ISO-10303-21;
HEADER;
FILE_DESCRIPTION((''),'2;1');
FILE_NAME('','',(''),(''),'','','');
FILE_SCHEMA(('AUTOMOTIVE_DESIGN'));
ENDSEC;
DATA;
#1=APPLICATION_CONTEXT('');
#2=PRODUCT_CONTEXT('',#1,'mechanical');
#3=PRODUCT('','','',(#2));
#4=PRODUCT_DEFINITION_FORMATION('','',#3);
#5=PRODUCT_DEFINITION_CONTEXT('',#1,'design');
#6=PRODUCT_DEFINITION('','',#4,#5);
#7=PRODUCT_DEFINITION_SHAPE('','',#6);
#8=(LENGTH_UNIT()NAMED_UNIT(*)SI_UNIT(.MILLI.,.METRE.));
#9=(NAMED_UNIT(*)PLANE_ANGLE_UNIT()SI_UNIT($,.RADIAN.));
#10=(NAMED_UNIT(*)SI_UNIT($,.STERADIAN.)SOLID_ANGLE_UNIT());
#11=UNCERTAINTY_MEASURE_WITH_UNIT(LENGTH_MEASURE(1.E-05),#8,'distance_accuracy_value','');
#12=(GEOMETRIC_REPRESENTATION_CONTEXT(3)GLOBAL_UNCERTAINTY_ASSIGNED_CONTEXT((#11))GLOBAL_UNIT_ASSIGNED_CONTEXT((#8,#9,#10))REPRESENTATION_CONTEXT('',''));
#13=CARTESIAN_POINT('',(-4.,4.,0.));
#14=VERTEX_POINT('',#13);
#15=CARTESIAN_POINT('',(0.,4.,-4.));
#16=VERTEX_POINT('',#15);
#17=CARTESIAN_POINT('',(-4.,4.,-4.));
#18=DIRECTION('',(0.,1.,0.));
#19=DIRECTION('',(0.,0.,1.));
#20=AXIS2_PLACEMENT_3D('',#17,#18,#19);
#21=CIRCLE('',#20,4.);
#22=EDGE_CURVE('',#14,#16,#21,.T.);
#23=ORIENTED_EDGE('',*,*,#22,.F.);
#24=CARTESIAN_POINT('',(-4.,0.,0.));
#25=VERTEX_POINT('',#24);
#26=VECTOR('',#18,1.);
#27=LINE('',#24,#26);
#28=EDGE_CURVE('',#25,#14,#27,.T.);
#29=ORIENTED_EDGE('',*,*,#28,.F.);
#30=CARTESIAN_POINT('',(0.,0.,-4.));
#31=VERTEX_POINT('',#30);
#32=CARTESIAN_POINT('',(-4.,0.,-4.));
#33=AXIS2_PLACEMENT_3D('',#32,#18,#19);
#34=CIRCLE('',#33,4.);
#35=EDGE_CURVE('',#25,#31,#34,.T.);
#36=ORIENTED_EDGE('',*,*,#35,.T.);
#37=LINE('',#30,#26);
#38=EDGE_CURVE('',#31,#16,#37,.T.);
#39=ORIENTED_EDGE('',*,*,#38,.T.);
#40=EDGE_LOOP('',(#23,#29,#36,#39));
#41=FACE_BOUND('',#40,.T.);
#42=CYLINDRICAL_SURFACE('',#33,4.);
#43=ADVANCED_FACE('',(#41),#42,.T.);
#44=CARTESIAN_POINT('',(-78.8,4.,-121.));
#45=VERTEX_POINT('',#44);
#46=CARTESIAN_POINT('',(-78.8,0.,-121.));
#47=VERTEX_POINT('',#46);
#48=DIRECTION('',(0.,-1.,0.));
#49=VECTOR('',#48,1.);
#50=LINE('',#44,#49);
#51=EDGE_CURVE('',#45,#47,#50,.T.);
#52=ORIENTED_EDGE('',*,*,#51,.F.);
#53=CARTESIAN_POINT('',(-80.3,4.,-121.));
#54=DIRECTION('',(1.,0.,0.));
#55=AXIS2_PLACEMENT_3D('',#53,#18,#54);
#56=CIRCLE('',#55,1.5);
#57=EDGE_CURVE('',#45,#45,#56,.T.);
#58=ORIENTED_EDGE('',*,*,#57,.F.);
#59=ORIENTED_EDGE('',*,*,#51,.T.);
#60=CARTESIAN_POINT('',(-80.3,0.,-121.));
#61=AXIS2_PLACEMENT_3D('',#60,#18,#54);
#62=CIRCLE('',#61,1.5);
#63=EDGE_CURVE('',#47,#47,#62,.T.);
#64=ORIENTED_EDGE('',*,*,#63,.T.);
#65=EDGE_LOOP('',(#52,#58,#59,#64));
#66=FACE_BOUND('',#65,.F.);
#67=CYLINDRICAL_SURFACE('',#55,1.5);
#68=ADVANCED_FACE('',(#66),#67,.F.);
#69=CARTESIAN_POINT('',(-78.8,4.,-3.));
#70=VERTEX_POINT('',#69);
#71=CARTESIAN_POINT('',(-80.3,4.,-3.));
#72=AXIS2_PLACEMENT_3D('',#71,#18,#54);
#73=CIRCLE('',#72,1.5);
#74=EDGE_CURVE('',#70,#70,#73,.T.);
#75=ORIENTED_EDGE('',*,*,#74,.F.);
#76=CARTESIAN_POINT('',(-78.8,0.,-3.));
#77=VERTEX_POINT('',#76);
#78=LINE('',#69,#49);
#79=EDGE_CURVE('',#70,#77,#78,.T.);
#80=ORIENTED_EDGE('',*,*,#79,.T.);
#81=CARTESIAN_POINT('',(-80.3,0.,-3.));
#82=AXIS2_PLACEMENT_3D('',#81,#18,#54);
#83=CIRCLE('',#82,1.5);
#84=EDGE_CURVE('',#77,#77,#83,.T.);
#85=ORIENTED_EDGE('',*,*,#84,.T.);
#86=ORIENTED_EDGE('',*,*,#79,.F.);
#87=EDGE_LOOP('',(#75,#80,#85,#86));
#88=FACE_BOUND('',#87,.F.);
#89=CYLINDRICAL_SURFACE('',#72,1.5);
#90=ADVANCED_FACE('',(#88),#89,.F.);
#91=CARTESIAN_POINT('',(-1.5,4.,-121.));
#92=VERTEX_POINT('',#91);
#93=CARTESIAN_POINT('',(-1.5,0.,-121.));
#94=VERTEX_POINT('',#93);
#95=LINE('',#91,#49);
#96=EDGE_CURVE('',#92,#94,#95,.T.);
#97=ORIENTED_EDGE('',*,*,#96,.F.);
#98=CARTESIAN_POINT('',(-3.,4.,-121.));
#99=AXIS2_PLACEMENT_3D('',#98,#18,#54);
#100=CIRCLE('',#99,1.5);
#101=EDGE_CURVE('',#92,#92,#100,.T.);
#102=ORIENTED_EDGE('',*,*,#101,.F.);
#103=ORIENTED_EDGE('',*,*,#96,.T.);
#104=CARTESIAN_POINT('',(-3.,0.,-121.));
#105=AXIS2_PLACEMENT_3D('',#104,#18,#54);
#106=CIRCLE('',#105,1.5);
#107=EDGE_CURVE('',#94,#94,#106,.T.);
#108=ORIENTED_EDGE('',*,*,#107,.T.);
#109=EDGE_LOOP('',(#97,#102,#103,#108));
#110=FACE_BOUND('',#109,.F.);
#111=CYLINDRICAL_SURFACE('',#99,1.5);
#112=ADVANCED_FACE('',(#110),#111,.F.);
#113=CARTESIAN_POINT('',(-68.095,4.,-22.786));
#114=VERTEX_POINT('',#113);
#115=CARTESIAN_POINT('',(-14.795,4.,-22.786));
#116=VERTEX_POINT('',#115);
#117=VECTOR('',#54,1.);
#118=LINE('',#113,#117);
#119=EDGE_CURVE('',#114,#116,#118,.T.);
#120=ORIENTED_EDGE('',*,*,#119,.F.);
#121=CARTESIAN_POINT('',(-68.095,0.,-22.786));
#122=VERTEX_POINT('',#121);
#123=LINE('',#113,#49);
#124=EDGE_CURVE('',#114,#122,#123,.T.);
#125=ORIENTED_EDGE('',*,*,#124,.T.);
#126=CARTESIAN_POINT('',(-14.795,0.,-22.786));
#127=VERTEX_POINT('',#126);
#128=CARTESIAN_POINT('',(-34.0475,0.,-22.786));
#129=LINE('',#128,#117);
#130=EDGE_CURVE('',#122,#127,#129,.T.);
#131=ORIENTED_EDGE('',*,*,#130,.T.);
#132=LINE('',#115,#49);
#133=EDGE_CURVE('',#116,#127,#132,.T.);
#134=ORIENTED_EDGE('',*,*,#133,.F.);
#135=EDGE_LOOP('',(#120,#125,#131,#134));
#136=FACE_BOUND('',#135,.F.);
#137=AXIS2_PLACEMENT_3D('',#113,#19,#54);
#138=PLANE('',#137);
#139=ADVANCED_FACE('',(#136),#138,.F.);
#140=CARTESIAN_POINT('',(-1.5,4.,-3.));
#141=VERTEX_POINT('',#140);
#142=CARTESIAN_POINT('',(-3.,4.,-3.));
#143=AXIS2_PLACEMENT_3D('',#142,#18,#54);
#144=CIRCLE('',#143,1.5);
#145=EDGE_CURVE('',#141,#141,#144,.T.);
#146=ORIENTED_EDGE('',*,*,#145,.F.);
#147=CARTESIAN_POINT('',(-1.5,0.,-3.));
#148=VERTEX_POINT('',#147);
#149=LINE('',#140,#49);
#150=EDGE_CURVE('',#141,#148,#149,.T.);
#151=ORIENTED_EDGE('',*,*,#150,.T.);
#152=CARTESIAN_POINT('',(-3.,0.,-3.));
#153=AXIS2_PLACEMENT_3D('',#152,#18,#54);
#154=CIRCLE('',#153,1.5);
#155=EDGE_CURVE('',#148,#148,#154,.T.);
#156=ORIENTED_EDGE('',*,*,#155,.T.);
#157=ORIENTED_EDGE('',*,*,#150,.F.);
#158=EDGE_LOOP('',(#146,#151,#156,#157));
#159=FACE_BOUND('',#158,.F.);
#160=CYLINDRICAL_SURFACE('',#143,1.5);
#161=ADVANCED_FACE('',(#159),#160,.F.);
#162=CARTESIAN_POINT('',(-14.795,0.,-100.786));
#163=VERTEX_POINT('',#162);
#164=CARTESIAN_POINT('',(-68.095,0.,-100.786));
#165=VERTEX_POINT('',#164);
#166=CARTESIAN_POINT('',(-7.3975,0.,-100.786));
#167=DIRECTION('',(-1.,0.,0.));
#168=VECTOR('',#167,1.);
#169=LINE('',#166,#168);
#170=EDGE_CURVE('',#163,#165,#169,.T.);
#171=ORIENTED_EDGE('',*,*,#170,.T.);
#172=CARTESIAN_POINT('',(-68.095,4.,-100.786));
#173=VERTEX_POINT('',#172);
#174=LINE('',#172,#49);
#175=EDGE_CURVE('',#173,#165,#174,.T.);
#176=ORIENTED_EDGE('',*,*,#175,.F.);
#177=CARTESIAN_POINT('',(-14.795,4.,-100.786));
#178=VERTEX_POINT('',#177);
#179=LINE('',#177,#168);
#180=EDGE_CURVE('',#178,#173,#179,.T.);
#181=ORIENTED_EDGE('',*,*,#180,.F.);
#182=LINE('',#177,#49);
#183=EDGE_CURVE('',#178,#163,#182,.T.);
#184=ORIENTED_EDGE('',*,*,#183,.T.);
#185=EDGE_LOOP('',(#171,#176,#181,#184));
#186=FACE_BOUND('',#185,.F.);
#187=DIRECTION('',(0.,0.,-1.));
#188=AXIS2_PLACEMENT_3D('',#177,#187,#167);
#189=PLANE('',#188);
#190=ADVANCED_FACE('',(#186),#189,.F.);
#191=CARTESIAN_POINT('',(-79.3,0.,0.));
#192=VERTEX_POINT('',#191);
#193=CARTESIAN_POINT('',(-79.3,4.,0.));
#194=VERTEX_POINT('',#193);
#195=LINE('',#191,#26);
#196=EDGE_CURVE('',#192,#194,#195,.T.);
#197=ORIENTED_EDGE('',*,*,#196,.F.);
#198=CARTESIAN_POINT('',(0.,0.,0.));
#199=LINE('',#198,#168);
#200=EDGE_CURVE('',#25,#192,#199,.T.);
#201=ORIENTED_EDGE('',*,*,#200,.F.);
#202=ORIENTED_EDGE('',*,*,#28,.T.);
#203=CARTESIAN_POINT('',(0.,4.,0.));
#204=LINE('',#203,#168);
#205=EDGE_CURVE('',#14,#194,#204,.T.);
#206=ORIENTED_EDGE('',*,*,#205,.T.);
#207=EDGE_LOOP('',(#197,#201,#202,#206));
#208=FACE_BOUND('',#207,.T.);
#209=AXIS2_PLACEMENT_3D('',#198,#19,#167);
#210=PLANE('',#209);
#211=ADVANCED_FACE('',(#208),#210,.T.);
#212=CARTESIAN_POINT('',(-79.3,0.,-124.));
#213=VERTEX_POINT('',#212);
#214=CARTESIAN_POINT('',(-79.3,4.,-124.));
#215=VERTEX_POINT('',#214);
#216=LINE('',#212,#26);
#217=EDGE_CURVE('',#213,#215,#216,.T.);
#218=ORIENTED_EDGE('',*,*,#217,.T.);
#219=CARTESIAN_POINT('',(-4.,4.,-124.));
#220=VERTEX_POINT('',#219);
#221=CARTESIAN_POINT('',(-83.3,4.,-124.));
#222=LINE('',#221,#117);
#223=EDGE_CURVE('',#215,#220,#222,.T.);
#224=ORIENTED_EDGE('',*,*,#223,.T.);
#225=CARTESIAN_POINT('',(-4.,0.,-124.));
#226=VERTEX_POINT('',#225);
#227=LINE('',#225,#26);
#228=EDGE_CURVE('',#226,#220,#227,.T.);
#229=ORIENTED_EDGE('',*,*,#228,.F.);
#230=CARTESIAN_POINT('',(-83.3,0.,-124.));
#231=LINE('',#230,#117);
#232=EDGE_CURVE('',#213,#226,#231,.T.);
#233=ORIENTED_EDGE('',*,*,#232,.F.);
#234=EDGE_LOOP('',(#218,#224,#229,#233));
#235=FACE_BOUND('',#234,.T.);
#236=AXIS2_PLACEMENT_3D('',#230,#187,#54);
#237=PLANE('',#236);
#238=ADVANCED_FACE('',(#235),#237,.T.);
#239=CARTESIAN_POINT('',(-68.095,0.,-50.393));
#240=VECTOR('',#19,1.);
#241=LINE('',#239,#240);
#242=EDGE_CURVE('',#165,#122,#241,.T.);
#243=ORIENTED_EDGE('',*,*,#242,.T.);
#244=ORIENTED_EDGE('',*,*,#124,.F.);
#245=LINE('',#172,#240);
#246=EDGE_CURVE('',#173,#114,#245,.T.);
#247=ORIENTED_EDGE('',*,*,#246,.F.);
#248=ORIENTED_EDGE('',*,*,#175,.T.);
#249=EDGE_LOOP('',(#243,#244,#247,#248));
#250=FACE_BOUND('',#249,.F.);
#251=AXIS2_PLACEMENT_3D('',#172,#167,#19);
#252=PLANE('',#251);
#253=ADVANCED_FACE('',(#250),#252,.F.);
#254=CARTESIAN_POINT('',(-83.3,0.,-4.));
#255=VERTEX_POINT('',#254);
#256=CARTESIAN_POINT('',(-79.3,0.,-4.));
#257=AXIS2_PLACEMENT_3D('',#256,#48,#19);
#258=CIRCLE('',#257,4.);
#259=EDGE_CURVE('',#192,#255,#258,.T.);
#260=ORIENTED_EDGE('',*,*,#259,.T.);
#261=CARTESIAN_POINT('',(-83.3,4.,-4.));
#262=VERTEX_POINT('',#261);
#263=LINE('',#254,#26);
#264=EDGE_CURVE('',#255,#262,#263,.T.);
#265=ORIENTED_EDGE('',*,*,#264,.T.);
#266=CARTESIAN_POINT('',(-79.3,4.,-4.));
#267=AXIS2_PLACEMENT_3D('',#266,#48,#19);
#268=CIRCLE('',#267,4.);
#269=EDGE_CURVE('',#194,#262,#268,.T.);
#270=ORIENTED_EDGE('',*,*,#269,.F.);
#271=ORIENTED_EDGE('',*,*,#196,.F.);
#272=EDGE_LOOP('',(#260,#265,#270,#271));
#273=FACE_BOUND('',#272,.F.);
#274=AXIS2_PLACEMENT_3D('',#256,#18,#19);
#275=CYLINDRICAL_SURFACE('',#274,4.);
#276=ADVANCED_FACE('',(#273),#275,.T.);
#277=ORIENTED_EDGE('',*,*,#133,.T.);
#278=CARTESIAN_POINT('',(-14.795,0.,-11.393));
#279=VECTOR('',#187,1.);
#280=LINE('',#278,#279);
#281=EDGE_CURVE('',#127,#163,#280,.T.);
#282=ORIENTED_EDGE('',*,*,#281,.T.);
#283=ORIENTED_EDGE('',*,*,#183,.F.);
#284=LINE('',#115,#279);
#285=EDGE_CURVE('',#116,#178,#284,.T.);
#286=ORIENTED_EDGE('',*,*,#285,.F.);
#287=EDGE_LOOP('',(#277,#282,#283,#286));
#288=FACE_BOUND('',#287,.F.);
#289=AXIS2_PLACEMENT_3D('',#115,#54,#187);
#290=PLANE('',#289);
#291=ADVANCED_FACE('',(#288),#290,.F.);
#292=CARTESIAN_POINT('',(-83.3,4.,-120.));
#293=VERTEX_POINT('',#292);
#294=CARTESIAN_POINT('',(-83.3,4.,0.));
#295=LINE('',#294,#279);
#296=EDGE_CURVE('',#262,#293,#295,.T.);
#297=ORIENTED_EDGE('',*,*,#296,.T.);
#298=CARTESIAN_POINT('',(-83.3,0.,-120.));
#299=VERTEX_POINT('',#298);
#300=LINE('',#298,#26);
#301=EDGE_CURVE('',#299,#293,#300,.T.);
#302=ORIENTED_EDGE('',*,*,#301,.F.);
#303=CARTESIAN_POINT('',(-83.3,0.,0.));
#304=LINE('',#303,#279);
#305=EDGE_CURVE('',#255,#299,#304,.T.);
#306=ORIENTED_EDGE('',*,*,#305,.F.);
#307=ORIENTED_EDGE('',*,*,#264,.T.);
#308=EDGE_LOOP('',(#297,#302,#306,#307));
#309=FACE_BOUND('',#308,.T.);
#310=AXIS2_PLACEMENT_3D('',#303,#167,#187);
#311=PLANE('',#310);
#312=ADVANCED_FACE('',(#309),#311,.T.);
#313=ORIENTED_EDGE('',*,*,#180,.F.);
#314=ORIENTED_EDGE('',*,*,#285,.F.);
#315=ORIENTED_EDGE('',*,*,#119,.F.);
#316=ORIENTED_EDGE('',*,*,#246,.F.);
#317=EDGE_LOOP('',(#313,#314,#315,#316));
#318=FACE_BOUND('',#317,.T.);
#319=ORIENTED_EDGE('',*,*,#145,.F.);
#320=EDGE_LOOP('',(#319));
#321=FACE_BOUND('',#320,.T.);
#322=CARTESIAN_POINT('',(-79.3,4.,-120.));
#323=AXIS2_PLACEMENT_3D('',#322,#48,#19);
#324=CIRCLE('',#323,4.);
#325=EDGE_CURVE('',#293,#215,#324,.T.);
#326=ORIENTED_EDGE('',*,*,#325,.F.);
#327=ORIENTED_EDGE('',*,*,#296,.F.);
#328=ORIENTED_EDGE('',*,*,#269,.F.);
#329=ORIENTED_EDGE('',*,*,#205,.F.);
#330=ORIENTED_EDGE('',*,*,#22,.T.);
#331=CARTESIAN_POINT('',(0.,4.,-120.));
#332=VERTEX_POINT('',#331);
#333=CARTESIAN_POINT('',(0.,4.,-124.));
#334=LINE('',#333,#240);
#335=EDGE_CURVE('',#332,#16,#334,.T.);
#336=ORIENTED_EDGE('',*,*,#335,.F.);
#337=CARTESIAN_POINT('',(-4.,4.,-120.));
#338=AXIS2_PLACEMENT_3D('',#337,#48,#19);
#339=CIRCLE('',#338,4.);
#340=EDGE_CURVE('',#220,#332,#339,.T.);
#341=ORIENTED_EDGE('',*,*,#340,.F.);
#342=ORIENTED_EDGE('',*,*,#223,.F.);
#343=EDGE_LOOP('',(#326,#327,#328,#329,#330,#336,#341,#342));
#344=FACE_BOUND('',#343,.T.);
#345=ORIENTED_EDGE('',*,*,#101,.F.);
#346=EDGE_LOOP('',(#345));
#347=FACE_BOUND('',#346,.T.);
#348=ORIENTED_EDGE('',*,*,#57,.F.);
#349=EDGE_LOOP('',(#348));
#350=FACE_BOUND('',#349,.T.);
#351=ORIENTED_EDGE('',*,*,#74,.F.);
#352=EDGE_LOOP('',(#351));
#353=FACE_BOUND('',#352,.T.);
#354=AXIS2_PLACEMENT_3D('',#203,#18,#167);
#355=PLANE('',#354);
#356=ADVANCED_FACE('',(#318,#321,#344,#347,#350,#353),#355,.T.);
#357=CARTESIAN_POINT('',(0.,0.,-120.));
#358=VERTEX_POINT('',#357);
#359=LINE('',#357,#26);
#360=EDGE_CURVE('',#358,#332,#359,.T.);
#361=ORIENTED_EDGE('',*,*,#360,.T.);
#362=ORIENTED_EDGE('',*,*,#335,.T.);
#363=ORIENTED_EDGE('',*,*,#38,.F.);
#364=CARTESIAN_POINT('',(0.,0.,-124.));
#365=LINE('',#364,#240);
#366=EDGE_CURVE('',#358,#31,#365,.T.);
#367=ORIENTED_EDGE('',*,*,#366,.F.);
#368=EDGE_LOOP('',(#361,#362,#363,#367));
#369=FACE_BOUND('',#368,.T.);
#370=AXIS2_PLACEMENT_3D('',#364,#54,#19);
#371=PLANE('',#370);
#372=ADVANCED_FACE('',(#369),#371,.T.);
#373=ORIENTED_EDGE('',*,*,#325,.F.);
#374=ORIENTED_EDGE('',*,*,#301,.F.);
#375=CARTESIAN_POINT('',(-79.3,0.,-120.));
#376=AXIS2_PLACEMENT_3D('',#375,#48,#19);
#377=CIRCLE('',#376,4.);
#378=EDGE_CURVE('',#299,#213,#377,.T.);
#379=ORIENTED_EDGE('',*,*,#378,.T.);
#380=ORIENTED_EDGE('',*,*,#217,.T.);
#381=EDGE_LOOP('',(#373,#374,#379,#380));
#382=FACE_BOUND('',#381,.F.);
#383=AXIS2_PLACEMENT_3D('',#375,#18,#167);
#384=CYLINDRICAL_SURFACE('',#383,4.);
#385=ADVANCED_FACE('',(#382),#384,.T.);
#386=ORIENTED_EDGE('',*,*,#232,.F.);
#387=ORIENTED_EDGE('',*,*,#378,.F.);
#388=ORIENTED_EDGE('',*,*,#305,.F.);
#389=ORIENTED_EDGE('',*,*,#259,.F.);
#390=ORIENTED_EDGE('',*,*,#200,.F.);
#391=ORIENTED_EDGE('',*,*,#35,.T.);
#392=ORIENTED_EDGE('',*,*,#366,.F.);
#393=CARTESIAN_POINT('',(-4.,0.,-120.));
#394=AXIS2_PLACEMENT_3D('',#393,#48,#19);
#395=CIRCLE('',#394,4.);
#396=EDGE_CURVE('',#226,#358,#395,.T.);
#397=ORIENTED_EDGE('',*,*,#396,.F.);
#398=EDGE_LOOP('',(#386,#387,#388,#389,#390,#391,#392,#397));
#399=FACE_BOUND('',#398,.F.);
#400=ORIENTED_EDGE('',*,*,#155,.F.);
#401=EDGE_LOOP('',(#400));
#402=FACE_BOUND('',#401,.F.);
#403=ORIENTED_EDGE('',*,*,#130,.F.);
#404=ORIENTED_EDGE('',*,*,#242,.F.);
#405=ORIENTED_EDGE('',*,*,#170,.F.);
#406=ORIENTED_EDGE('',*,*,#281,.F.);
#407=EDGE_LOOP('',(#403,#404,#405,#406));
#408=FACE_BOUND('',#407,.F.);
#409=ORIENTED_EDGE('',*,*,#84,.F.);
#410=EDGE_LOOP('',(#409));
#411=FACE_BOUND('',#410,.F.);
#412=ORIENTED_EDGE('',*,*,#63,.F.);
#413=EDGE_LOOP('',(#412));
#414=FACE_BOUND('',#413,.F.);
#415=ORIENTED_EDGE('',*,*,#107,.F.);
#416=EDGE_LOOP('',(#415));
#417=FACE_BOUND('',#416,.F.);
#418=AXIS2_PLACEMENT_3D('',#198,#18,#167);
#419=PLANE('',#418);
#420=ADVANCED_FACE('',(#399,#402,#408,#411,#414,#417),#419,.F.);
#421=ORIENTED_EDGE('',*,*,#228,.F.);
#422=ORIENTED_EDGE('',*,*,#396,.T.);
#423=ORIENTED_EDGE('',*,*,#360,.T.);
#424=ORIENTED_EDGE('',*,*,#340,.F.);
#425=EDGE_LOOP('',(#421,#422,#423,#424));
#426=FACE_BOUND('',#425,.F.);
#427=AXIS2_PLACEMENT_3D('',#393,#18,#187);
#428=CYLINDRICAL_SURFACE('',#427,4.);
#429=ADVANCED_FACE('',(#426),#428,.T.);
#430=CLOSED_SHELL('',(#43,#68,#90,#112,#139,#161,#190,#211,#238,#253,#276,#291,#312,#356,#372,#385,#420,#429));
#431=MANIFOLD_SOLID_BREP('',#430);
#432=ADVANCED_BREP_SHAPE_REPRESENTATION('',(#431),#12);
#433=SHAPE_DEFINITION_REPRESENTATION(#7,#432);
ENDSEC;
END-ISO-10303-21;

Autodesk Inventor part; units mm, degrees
ref_plane "YZ Plane" through (0, 0, 0) normal (1, 0, 0) x (0, 1, 0)
ref_plane "XZ Plane" through (0, 0, 0) normal (0, 1, 0) x (-1, 0, 0)
ref_plane "XY Plane" through (0, 0, 0) normal (0, 0, 1) x (1, 0, 0)
sketch "Sketch1" plane through (0, 0, 0) normal (0, 1, 0) x (-1, 0, 0)
  line L0 (0, 0) -> (83.3, 0)
  line L1 (83.3, 0) -> (83.3, -124)
  line L2 (83.3, -124) -> (0, -124)
  line L3 (0, -124) -> (0, 0)
  dimension "d0" = 124
  dimension "d1" = 83.3
extrude "Lid Body" add sketch "Sketch1" along normal blind 4
fillet "4mm Fillet" radius 4 4 edges at (0, 2, -124) (-83.3, 2, -124) (-83.3, 2, 0) (0, 2, 0)
sketch "Sketch2" plane through (0, 4, 0) normal (0, 1, 0) x (1, 0, 0)
  circle A0 centre (-80.3, 3) radius 1.5
  line L0 (-83.3, 124) -> (-83.3, 0) projected
  line L1 (-83.3, 0) -> (0, 0) projected
  line L2 (-83.3, 62) -> (0, 62)
  line L3 (0, 0) -> (0, 124) projected
  line L4 (-41.65, 0) -> (-41.65, 124)
  circle A1 centre (-80.3, 121) radius 1.5
  circle A2 centre (-3, 3) radius 1.5
  circle A3 centre (-3, 121) radius 1.5
  dimension "d5" = 3
  dimension "d6" = 3
  dimension "d7" = 3
extrude "Extrusion2" cut sketch "Sketch2" against normal through all contours A0 | A1 | A2 | A3
sketch "Sketch3" plane through (0, 4, 0) normal (0, 1, 0) x (1, 0, 0)
  line L0 (-83.3, 0) -> (0, 0) projected
  line L1 (0, 0) -> (0, 124) projected
  line L2 (0, 124) -> (-83.3, 124) projected
  line L3 (-83.3, 124) -> (-83.3, 0) projected
  line L4 (-78.3, 5) -> (-5, 5)
  line L5 (-5, 5) -> (-5, 119)
  line L6 (-5, 119) -> (-78.3, 119)
  line L7 (-78.3, 119) -> (-78.3, 5)
  line L8 (-68.095, 22.786) -> (-14.795, 22.786)
  line L9 (-14.795, 22.786) -> (-14.795, 100.786)
  line L10 (-14.795, 100.786) -> (-68.095, 100.786)
  line L11 (-68.095, 100.786) -> (-68.095, 22.786)
  dimension "d11" = 5
  dimension "d12" = 53.3
  dimension "d13" = 78
  dimension "d14" = 10.205
  dimension "d15" = 17.786
extrude "Extrusion3" cut sketch "Sketch3" against normal through all contours L11 L10 L9 L8
fillet "2mm Fillet" [suppressed]
properties part number "LidTest01"
